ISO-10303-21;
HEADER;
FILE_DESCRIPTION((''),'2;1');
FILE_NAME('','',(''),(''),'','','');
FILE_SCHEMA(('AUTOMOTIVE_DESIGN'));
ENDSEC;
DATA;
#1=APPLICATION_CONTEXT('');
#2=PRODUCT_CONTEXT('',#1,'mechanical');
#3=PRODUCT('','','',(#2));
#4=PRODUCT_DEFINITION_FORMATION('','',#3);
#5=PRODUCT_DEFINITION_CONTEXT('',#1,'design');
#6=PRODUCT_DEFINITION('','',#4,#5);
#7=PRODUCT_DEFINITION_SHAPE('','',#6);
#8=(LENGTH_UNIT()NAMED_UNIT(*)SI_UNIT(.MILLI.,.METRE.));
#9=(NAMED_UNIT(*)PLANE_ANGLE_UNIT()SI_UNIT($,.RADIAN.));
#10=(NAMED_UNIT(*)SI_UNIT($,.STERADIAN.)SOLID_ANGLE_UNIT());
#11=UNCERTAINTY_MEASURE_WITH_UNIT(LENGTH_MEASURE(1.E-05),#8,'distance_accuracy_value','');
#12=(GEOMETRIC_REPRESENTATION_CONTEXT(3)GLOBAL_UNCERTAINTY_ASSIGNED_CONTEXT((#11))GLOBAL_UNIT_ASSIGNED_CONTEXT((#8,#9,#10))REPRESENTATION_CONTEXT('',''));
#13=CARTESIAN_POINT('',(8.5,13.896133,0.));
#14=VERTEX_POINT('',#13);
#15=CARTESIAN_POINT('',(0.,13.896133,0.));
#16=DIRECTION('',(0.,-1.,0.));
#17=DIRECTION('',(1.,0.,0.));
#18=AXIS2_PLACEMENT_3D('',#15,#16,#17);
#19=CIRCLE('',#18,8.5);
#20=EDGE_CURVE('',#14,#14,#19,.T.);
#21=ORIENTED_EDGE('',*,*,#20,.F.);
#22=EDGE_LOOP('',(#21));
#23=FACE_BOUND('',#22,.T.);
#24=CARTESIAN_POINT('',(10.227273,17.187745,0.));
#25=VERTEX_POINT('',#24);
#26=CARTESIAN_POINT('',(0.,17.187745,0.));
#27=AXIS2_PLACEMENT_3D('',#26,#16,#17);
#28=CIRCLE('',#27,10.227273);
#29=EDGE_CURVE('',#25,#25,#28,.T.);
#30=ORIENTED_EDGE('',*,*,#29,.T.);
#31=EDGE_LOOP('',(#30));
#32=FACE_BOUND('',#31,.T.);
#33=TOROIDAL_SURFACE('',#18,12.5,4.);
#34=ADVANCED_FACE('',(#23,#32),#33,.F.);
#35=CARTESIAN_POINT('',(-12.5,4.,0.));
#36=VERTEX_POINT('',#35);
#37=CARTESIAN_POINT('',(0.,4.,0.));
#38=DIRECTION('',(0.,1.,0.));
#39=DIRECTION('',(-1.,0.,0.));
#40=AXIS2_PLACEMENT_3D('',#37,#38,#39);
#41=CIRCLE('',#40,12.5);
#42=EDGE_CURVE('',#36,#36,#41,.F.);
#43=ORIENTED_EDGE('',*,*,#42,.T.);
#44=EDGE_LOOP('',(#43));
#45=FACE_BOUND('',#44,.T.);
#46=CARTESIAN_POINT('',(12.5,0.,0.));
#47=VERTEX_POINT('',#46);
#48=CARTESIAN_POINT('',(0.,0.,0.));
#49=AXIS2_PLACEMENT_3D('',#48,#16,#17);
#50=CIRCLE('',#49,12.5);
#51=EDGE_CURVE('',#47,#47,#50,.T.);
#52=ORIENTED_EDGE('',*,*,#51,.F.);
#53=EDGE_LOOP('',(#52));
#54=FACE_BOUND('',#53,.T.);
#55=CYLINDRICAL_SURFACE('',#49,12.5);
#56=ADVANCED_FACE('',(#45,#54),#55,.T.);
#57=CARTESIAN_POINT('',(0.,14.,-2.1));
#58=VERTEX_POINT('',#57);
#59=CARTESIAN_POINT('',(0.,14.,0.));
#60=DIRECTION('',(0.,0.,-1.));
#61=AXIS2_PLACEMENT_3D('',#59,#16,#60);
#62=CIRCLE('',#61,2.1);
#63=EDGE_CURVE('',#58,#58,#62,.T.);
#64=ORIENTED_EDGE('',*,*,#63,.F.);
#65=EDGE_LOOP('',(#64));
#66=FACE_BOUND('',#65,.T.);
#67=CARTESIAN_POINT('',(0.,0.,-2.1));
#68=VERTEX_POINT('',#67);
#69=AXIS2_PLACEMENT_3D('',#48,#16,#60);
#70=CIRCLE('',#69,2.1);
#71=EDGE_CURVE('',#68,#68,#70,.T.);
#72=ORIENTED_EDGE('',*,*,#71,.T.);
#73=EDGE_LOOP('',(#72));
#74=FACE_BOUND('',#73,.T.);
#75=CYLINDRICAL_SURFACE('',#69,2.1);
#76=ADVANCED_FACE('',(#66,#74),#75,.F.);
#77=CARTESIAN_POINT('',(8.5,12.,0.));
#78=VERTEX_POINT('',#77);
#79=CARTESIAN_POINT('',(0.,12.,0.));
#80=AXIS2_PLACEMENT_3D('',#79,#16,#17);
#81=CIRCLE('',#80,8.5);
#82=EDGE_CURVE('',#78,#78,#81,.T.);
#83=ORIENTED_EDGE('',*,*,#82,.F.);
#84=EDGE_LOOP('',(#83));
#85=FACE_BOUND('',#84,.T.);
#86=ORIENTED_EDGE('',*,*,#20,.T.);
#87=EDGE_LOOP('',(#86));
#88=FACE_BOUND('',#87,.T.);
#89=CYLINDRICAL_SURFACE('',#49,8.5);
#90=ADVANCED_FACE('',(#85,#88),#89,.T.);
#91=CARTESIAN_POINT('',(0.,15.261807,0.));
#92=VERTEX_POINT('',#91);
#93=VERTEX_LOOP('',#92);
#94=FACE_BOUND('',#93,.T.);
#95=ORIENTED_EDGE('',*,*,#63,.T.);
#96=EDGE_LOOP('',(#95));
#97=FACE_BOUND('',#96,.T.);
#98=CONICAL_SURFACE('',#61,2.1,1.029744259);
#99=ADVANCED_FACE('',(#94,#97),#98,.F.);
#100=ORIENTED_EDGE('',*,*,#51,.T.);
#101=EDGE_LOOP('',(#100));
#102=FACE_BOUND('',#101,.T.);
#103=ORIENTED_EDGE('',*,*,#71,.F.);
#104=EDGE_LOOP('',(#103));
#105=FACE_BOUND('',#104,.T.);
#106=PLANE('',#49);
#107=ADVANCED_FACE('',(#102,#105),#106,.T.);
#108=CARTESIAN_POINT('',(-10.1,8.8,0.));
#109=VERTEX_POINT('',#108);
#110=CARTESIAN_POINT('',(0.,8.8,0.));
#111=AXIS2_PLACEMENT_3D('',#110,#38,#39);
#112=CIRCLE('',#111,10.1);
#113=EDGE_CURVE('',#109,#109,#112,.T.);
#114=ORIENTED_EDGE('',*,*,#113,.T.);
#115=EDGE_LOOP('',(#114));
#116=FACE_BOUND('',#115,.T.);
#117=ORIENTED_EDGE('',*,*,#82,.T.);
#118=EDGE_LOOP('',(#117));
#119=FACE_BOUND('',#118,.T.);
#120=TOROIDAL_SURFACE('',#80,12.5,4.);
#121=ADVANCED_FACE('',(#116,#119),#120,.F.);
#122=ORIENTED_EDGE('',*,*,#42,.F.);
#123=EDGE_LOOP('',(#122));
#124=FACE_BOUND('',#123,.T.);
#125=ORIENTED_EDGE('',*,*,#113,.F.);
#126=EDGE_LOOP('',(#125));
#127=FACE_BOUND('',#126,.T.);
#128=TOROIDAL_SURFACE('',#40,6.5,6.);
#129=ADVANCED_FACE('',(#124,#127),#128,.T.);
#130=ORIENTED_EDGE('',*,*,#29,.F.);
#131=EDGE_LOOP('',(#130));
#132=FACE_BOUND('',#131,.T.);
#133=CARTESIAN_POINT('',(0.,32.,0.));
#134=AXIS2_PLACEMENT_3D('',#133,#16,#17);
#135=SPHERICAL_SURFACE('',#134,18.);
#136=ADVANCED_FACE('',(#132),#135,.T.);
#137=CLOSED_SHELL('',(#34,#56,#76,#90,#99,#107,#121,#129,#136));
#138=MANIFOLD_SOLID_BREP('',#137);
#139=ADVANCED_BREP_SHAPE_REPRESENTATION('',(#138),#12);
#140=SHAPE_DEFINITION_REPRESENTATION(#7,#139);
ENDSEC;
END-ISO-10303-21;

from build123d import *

# Parameters (mm, degrees)
ZAOKR_GLENIE1_R            = 6
OTW_R_GWINTOWANY_M51_D     = 4.2
OTW_R_GWINTOWANY_M51_DEPTH = 14
OTW_R_GWINTOWANY_M51_TIP   = 1.2618073


with BuildPart() as part:
    # Szkic1 → Obrót1 (revolve)
    with BuildSketch(Plane.XY):
        with BuildLine():
            Line((0, 0), (12.5, 0))
            Line((12.5, 0), (12.5, 8))
            ThreePointArc((12.5, 8), (9.671572875, 9.171572875), (8.5, 12))
            Line((8.5, 12), (8.5, 13.89613301))
            ThreePointArc((8.5, 13.89613301), (8.958043684, 15.754773764), (10.227272727, 17.18774519))
            ThreePointArc((10.227272727, 17.18774519), (17.18459465, 37.356277318), (0, 50))
            Line((0, 50), (0, 0))
        make_face()
    revolve(axis=Axis((0, 0, 0), (0, 1, 0)))

    # Zaokrąglenie1
    zaokr_glenie1_edges = [part.edges().sort_by_distance(p)[0] for p in [
        (-12.5, 8, 0),
    ]]
    fillet(zaokr_glenie1_edges, radius=ZAOKR_GLENIE1_R)

    # Otwór gwintowany M51
    with Locations(Plane(origin=(0, 0, 0), x_dir=(-1, 0, 0), z_dir=(0, -1, 0))):
        with Locations((0, 0)):
            Hole(OTW_R_GWINTOWANY_M51_D / 2, depth=OTW_R_GWINTOWANY_M51_DEPTH)
            with Locations((0, 0, -(OTW_R_GWINTOWANY_M51_DEPTH + OTW_R_GWINTOWANY_M51_TIP / 2))):  # 118° drill point
                Cone(0, OTW_R_GWINTOWANY_M51_D / 2, OTW_R_GWINTOWANY_M51_TIP, mode=Mode.SUBTRACT)


solid = part.part
